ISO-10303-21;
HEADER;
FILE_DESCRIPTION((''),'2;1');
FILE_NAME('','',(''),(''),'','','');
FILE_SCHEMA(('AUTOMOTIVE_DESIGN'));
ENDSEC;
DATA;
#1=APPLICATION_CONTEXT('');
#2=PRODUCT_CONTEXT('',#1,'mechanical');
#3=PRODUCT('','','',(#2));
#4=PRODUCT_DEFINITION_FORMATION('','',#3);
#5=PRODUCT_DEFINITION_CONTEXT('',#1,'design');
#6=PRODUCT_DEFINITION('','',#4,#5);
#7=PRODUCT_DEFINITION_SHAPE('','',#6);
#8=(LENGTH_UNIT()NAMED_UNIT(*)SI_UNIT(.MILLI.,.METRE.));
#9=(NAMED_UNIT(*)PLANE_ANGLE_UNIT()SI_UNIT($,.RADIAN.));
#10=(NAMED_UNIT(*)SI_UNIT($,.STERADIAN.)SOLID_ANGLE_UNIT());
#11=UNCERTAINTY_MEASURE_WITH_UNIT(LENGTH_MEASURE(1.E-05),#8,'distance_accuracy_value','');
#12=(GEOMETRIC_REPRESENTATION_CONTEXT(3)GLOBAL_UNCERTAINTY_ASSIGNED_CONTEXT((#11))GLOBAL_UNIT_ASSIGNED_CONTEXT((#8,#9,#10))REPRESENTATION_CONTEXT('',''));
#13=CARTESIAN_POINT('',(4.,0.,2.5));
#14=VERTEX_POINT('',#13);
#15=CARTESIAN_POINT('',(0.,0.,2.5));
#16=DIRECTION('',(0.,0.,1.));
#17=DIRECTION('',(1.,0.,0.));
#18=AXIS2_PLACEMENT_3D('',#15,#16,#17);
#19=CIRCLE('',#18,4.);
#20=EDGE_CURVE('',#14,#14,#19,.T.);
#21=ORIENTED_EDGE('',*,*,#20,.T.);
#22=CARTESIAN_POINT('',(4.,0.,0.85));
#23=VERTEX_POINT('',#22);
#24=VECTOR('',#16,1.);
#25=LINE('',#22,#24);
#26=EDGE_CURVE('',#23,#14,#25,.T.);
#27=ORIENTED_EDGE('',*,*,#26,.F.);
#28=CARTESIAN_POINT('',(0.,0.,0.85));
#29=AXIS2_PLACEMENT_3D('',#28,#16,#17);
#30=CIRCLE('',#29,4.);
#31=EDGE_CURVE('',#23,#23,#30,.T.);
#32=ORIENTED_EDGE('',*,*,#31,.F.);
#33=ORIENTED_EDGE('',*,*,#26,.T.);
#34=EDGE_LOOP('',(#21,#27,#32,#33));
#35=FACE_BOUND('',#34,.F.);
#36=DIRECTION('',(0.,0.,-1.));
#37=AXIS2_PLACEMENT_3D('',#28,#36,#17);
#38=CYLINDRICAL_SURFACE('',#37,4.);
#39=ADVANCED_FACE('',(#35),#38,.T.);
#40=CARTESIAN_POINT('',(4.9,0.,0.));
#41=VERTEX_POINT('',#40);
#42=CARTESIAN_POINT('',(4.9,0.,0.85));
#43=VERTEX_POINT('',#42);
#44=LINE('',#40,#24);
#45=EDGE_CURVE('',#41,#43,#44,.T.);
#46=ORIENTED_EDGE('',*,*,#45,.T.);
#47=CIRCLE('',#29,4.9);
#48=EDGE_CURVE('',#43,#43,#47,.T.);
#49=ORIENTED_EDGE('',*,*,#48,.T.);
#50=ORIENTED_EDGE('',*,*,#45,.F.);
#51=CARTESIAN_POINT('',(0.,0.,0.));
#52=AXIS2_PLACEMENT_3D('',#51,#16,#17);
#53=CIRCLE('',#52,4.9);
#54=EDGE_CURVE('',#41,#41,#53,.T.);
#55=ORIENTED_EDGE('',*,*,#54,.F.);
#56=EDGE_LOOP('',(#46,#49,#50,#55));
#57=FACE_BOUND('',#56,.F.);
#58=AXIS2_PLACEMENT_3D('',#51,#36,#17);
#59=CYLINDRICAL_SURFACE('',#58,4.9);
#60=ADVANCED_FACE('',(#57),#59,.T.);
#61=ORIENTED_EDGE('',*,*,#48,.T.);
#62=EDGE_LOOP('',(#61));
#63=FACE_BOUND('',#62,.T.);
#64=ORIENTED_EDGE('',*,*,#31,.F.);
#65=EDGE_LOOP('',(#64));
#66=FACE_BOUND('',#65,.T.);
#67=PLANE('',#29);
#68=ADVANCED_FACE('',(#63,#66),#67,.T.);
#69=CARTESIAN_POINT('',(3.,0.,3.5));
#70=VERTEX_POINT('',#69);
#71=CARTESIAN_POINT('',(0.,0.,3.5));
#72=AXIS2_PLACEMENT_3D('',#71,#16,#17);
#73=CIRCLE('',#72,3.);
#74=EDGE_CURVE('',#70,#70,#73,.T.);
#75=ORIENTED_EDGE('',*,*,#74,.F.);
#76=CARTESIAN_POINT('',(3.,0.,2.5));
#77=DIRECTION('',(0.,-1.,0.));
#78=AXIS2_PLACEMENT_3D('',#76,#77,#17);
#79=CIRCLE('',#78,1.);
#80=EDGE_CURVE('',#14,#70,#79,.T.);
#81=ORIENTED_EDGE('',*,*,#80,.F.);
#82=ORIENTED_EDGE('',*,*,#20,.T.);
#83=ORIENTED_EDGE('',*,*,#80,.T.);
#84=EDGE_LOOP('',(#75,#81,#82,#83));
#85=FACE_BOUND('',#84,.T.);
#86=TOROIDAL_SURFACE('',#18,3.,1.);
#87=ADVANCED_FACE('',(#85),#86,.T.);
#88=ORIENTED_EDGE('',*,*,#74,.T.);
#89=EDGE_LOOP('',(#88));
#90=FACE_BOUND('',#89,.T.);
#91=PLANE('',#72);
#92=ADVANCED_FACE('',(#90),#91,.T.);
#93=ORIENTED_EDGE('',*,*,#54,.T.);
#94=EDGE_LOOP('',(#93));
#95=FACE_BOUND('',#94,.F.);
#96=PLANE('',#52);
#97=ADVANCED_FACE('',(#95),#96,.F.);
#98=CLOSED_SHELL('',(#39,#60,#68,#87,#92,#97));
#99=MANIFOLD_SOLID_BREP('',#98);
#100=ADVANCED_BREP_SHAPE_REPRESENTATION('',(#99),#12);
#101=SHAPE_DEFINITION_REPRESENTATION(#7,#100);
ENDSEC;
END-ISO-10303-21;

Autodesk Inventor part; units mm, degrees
ref_plane "YZ Plane" through (0, 0, 0) normal (1, 0, 0) x (0, 1, 0)
ref_plane "XZ Plane" through (0, 0, 0) normal (0, 1, 0) x (-1, 0, 0)
ref_plane "XY Plane" through (0, 0, 0) normal (0, 0, 1) x (1, 0, 0)
sketch "Skizze1" plane through (0, 0, 0) normal (0, 0, 1) x (1, 0, 0)
  circle A0 centre (0, 0) radius 4.9
  dimension "d0" = 9.8
extrude "Extrusion1" add sketch "Skizze1" along normal blind 0.85
sketch "Skizze2" plane through (0, 0, 0.85) normal (0, 0, 1) x (1, 0, 0)
  circle A0 centre (0, 0) radius 4
  dimension "d3" = 8
extrude "Extrusion2" add sketch "Skizze2" along normal blind 2.65
fillet "Rundung1" radius 1 1 edges at (-4, 0, 3.5)
properties part number "Button" material "ABS-Kunststoff"
